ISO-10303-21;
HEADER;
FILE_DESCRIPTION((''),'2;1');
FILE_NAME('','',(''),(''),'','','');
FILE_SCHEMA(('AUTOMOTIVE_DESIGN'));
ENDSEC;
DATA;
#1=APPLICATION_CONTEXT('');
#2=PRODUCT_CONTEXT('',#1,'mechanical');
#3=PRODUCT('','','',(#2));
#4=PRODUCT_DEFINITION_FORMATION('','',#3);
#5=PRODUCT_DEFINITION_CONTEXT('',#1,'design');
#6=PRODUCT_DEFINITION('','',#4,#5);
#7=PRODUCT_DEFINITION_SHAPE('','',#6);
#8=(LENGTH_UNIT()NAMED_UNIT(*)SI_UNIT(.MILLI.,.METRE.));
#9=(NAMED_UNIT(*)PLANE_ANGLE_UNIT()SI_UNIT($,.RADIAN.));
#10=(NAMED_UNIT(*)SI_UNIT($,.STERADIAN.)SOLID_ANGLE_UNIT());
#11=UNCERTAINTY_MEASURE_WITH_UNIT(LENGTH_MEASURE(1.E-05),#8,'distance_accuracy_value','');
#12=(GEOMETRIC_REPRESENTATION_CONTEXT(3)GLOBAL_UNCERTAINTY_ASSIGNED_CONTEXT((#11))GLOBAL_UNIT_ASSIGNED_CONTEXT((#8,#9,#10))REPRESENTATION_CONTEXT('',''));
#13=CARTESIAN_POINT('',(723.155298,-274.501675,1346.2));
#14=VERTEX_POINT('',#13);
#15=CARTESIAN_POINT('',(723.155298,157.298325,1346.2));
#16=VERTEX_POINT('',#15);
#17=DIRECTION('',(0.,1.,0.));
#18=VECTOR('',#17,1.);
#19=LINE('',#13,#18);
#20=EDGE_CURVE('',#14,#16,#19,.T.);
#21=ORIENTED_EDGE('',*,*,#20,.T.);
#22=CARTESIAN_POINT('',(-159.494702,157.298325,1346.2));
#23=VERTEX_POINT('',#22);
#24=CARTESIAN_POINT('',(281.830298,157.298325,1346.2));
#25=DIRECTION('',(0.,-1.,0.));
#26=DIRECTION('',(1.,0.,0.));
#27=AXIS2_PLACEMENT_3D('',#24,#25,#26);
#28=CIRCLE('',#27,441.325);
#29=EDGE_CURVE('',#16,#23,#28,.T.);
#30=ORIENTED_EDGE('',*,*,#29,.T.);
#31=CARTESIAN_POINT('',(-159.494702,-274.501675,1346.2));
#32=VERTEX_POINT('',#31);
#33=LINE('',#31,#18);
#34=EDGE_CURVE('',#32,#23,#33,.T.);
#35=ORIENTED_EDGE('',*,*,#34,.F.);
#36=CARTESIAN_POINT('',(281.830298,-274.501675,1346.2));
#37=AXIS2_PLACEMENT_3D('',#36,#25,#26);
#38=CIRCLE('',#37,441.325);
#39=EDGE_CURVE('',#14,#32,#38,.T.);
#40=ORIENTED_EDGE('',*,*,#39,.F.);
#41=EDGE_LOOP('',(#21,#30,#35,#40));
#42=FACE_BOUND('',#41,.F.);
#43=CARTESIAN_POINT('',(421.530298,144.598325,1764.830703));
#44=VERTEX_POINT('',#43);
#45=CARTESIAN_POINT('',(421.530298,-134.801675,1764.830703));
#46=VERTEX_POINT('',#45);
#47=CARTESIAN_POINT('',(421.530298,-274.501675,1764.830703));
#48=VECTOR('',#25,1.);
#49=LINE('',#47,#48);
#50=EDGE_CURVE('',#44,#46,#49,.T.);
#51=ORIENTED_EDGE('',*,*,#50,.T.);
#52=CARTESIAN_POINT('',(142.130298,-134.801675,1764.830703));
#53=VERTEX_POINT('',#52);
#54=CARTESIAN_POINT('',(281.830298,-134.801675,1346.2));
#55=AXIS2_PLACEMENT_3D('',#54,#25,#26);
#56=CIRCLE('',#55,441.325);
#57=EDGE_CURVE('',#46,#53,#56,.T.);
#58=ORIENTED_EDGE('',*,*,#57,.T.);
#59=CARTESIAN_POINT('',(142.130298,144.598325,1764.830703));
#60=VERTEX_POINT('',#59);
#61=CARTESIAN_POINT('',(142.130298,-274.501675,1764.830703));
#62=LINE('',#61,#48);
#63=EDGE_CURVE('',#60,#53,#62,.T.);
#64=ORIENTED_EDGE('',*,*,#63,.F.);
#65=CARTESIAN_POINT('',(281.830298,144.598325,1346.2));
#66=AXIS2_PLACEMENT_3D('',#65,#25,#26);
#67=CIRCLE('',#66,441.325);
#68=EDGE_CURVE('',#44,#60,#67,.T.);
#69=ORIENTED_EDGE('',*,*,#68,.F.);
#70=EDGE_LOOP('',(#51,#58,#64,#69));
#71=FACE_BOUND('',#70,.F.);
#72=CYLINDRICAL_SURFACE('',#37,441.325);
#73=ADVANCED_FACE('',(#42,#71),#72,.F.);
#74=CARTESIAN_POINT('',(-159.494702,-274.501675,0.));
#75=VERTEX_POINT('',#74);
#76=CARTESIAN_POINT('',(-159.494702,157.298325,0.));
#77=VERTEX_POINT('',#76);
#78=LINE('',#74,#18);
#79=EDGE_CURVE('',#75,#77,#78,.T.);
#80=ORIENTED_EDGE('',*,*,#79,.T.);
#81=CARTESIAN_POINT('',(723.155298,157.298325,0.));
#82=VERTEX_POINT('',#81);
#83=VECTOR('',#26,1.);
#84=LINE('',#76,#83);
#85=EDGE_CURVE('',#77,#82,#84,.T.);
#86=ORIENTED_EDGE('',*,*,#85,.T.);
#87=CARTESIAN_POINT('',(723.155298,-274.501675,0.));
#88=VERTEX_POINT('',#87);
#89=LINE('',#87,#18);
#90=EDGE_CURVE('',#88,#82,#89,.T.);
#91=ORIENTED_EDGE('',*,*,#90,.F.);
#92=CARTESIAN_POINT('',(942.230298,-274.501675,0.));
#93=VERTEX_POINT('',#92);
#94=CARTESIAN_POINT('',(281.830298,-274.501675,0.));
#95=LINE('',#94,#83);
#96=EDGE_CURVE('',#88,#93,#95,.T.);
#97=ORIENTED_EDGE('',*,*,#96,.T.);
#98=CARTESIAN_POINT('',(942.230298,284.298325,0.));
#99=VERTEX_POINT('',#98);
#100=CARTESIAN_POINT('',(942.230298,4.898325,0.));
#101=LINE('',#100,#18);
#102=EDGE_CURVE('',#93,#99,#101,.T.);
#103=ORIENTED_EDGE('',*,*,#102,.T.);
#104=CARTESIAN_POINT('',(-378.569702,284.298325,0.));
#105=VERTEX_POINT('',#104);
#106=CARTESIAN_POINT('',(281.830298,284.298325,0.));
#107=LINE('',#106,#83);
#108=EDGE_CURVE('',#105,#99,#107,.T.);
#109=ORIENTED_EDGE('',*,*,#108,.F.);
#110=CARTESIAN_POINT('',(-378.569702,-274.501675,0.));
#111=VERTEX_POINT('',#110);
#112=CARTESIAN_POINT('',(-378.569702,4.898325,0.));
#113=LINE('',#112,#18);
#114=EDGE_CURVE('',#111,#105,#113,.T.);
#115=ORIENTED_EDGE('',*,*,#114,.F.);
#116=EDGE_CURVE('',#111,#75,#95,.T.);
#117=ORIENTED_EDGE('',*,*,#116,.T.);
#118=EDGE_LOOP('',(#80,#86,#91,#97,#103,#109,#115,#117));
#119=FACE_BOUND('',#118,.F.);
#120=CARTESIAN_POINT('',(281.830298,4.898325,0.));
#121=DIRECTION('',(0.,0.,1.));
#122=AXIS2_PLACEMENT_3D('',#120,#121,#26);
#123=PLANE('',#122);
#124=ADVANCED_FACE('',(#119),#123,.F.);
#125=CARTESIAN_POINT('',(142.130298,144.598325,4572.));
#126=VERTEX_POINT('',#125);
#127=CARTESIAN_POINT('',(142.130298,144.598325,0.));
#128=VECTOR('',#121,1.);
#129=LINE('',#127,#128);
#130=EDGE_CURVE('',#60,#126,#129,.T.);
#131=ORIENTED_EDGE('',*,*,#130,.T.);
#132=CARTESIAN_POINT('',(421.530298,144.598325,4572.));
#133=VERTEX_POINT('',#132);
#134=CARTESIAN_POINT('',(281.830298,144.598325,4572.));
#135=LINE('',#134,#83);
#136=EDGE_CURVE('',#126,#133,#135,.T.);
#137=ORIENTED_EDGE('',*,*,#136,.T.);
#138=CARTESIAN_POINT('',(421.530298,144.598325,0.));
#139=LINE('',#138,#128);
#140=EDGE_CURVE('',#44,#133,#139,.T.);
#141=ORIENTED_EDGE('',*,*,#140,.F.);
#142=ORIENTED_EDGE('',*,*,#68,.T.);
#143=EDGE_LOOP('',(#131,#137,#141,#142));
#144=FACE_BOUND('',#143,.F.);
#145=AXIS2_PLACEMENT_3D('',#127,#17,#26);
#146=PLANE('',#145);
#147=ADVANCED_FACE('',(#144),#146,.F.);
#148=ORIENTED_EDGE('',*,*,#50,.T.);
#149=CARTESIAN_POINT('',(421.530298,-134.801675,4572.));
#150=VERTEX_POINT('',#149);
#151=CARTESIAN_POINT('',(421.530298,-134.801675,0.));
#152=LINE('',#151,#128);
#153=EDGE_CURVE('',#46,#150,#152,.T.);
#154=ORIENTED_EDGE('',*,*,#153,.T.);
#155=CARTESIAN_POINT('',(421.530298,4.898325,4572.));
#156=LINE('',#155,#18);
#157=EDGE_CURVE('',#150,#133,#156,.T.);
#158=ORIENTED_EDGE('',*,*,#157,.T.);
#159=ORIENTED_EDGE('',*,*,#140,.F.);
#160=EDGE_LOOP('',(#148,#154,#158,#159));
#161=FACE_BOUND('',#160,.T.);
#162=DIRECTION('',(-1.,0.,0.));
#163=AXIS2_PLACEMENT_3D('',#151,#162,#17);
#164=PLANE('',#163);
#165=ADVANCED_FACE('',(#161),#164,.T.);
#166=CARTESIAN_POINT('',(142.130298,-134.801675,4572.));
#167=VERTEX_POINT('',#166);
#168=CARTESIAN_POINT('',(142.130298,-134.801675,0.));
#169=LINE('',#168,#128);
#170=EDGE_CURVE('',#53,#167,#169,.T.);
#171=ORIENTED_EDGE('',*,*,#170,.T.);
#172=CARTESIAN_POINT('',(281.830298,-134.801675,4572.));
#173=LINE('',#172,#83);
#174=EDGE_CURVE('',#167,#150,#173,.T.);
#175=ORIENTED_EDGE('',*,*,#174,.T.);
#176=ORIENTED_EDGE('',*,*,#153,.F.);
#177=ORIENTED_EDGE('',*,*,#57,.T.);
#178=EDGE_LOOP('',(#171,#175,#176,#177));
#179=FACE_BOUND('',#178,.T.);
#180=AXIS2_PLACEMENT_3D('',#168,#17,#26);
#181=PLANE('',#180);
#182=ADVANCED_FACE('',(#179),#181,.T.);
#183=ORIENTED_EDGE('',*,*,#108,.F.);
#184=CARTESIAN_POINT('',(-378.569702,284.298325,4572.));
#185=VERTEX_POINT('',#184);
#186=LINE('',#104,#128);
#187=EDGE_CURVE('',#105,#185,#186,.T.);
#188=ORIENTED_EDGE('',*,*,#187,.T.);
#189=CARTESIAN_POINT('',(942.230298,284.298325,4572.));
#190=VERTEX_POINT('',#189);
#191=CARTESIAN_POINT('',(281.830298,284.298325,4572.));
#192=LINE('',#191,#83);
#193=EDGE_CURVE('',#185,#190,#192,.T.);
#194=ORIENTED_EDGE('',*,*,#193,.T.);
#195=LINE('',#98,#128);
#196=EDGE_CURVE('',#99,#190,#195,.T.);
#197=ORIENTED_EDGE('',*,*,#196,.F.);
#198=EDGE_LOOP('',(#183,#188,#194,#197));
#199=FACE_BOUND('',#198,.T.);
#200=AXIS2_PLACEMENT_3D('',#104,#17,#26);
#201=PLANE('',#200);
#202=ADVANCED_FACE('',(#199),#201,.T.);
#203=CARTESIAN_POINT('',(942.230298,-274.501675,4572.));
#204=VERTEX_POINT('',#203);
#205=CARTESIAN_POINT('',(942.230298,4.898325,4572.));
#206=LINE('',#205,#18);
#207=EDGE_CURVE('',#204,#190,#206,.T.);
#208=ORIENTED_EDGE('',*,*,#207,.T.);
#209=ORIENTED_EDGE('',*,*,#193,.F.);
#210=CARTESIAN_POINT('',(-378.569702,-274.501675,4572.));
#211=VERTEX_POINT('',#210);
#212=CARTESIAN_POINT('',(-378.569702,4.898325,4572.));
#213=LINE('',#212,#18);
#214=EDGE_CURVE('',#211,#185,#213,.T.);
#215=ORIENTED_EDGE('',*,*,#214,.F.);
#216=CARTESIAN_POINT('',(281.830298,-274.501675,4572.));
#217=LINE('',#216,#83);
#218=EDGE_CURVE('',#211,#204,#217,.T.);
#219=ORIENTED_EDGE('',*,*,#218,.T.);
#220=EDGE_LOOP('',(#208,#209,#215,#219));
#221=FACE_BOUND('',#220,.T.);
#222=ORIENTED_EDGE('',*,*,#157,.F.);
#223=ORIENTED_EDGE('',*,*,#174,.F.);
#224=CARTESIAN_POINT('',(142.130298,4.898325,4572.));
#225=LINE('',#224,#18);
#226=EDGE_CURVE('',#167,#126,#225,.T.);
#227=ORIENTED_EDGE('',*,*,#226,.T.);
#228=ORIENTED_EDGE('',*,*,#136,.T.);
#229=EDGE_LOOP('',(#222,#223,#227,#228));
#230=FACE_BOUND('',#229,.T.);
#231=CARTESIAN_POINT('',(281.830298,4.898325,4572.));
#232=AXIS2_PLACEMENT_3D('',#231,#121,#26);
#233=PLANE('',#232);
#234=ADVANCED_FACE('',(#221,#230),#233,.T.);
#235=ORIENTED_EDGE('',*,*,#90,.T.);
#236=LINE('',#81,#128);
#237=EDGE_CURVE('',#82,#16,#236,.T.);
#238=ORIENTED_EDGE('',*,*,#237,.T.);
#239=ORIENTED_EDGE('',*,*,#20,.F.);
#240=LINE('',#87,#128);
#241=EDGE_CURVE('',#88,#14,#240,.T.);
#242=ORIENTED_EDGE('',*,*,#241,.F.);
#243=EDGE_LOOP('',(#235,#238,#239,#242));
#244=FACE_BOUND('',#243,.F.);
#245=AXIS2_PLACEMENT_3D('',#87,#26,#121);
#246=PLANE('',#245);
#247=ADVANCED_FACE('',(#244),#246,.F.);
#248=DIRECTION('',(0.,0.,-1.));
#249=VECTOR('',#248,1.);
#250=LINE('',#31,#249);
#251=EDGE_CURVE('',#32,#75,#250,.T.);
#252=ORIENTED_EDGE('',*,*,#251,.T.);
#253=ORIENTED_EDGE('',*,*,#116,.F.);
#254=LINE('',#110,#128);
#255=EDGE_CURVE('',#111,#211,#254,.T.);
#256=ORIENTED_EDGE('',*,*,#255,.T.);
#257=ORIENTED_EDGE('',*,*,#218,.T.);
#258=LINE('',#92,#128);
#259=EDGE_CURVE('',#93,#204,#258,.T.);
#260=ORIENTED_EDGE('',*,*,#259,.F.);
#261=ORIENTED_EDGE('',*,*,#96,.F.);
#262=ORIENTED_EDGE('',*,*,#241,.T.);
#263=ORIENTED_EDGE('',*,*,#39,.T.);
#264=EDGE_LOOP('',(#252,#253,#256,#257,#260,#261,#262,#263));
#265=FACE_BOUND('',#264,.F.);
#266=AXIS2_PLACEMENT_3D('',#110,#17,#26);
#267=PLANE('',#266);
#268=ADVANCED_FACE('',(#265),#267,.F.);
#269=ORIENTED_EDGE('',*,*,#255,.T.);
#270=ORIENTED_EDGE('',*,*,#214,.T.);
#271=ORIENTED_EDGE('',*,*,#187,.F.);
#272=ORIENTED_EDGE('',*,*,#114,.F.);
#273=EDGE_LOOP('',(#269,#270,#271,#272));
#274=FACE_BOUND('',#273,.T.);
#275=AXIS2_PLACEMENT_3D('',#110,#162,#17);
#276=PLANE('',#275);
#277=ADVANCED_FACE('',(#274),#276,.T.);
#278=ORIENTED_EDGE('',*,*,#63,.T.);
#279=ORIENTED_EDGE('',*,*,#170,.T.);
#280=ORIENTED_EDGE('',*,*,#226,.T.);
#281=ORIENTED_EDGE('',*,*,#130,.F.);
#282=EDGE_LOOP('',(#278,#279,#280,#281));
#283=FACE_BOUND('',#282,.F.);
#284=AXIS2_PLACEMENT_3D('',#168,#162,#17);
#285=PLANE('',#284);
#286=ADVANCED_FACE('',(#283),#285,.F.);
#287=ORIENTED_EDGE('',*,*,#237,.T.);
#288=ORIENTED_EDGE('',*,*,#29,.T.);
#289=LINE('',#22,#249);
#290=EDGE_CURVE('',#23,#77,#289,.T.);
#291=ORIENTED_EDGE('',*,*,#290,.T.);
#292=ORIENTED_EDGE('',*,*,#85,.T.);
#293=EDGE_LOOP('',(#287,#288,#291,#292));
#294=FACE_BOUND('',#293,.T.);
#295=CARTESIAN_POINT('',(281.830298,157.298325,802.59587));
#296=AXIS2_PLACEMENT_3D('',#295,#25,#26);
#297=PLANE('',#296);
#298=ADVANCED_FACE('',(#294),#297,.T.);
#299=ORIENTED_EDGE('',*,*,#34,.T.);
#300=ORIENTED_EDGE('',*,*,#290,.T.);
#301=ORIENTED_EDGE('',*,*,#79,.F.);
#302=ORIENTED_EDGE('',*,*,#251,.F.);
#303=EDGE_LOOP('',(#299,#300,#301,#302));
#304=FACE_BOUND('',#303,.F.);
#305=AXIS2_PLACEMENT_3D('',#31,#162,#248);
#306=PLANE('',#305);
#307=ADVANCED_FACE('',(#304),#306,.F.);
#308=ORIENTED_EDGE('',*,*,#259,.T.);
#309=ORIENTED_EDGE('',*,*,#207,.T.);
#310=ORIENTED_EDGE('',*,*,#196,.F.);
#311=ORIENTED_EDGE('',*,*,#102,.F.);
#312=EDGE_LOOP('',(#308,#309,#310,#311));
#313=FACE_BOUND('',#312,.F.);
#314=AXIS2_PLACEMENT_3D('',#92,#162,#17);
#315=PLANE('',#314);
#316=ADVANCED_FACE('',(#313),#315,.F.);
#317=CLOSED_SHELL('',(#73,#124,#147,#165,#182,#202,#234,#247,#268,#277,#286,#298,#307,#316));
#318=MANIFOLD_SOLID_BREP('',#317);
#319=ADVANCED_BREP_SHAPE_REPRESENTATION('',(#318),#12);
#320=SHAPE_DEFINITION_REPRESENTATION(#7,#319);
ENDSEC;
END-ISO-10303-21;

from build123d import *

# Parameters (mm, degrees)
F0_W     = 1320.8
F0_H     = 558.8
F0_W_2   = 279.4
F0_H_2   = 279.4
F1_DEPTH = 4572
F3_DEPTH = 431.8


with BuildPart() as f1:
    # F0 (on Top) → F1 (new body)
    with BuildSketch(Plane.XY):
        with Locations((281.830298, 4.898325)):
            Rectangle(F0_W, F0_H)
        with Locations((281.830298, 4.898325)):
            Rectangle(F0_W_2, F0_H_2, mode=Mode.SUBTRACT)
    extrude(amount=F1_DEPTH)

    # F2 (on face) → F3 (cut)
    with BuildSketch(Plane.XZ.offset(274.501675)):
        with BuildLine():
            Line((-159.494702, 0), (723.155298, 0))
            Line((723.155298, 0), (723.155298, 1346.2))
            ThreePointArc((723.155298, 1346.2), (281.830298, 1787.525), (-159.494702, 1346.2))
            Line((-159.494702, 1346.2), (-159.494702, 0))
        make_face()
    extrude(amount=-F3_DEPTH, mode=Mode.SUBTRACT)


solid = f1.part
